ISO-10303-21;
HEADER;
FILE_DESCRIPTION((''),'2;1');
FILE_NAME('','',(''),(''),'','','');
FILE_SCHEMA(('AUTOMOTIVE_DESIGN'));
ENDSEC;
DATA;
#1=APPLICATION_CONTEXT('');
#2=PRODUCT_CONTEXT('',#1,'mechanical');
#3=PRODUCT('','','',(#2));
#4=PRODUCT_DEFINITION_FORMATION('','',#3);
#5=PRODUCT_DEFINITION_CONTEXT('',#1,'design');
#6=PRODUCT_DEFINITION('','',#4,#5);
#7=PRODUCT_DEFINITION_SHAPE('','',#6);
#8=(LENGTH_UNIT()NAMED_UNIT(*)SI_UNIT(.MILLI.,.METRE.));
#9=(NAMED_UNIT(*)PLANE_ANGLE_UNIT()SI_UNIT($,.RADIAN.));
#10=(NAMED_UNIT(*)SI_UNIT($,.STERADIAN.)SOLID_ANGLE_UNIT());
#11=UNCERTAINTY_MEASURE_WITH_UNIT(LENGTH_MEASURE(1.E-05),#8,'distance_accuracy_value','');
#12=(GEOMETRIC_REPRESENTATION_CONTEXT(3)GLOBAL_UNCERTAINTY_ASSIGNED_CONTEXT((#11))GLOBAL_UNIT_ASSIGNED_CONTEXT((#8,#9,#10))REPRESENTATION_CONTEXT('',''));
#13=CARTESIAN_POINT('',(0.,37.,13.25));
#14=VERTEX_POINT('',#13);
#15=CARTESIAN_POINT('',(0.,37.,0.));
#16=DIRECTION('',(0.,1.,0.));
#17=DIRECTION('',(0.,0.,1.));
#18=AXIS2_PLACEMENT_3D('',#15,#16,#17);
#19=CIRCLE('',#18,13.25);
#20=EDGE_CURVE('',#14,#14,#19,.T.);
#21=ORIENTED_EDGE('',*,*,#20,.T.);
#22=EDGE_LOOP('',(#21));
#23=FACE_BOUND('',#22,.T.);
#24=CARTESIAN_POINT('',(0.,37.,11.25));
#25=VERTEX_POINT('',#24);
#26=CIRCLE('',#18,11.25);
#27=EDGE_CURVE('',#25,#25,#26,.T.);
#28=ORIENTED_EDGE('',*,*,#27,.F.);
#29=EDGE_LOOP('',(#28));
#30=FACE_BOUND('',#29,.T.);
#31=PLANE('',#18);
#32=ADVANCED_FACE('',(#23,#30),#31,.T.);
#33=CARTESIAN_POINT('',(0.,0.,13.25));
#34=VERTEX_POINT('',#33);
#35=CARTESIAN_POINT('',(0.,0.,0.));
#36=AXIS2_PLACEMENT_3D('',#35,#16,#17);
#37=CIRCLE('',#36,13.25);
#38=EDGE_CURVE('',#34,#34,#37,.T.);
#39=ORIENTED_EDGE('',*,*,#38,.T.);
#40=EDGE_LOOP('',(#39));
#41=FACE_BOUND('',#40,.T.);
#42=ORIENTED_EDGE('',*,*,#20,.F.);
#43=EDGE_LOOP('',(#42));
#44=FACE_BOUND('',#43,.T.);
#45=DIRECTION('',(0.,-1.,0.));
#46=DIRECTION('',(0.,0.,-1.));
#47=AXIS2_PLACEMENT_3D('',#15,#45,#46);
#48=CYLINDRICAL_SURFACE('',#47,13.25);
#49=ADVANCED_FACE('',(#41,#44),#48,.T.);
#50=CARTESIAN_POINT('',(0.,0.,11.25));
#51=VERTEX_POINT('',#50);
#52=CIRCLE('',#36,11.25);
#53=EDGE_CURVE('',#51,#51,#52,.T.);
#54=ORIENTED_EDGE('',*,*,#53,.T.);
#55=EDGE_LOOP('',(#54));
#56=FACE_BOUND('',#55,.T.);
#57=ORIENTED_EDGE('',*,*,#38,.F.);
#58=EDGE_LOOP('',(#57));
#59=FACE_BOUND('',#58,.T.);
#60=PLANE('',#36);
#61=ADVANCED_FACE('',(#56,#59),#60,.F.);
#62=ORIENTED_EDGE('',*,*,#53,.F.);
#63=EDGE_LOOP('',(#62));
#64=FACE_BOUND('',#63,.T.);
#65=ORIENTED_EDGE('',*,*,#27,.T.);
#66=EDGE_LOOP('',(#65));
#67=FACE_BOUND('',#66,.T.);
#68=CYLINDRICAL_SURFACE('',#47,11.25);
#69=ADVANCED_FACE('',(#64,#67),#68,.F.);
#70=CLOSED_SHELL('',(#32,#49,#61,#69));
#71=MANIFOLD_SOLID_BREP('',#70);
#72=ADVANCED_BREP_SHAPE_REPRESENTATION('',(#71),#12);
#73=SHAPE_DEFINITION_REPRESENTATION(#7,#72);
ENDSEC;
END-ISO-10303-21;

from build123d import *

# Parameters (mm, degrees)
SKETCH1_R           = 13.25
SKETCH1_R_2         = 11.25
BOSS_EXTRUDE1_DEPTH = 37


with BuildPart() as part:
    # Sketch1 → Boss-Extrude1 (new body)
    with BuildSketch(Plane(origin=(0, 0, 0), x_dir=(1, 0, 0), z_dir=(0, 1, 0))):
        with Locations(Location((0, 0, 0), (0, 0, 270))):
            Circle(SKETCH1_R)
        with Locations(Location((0, 0, 0), (0, 0, 270))):
            Circle(SKETCH1_R_2, mode=Mode.SUBTRACT)
    extrude(amount=BOSS_EXTRUDE1_DEPTH)


solid = part.part
